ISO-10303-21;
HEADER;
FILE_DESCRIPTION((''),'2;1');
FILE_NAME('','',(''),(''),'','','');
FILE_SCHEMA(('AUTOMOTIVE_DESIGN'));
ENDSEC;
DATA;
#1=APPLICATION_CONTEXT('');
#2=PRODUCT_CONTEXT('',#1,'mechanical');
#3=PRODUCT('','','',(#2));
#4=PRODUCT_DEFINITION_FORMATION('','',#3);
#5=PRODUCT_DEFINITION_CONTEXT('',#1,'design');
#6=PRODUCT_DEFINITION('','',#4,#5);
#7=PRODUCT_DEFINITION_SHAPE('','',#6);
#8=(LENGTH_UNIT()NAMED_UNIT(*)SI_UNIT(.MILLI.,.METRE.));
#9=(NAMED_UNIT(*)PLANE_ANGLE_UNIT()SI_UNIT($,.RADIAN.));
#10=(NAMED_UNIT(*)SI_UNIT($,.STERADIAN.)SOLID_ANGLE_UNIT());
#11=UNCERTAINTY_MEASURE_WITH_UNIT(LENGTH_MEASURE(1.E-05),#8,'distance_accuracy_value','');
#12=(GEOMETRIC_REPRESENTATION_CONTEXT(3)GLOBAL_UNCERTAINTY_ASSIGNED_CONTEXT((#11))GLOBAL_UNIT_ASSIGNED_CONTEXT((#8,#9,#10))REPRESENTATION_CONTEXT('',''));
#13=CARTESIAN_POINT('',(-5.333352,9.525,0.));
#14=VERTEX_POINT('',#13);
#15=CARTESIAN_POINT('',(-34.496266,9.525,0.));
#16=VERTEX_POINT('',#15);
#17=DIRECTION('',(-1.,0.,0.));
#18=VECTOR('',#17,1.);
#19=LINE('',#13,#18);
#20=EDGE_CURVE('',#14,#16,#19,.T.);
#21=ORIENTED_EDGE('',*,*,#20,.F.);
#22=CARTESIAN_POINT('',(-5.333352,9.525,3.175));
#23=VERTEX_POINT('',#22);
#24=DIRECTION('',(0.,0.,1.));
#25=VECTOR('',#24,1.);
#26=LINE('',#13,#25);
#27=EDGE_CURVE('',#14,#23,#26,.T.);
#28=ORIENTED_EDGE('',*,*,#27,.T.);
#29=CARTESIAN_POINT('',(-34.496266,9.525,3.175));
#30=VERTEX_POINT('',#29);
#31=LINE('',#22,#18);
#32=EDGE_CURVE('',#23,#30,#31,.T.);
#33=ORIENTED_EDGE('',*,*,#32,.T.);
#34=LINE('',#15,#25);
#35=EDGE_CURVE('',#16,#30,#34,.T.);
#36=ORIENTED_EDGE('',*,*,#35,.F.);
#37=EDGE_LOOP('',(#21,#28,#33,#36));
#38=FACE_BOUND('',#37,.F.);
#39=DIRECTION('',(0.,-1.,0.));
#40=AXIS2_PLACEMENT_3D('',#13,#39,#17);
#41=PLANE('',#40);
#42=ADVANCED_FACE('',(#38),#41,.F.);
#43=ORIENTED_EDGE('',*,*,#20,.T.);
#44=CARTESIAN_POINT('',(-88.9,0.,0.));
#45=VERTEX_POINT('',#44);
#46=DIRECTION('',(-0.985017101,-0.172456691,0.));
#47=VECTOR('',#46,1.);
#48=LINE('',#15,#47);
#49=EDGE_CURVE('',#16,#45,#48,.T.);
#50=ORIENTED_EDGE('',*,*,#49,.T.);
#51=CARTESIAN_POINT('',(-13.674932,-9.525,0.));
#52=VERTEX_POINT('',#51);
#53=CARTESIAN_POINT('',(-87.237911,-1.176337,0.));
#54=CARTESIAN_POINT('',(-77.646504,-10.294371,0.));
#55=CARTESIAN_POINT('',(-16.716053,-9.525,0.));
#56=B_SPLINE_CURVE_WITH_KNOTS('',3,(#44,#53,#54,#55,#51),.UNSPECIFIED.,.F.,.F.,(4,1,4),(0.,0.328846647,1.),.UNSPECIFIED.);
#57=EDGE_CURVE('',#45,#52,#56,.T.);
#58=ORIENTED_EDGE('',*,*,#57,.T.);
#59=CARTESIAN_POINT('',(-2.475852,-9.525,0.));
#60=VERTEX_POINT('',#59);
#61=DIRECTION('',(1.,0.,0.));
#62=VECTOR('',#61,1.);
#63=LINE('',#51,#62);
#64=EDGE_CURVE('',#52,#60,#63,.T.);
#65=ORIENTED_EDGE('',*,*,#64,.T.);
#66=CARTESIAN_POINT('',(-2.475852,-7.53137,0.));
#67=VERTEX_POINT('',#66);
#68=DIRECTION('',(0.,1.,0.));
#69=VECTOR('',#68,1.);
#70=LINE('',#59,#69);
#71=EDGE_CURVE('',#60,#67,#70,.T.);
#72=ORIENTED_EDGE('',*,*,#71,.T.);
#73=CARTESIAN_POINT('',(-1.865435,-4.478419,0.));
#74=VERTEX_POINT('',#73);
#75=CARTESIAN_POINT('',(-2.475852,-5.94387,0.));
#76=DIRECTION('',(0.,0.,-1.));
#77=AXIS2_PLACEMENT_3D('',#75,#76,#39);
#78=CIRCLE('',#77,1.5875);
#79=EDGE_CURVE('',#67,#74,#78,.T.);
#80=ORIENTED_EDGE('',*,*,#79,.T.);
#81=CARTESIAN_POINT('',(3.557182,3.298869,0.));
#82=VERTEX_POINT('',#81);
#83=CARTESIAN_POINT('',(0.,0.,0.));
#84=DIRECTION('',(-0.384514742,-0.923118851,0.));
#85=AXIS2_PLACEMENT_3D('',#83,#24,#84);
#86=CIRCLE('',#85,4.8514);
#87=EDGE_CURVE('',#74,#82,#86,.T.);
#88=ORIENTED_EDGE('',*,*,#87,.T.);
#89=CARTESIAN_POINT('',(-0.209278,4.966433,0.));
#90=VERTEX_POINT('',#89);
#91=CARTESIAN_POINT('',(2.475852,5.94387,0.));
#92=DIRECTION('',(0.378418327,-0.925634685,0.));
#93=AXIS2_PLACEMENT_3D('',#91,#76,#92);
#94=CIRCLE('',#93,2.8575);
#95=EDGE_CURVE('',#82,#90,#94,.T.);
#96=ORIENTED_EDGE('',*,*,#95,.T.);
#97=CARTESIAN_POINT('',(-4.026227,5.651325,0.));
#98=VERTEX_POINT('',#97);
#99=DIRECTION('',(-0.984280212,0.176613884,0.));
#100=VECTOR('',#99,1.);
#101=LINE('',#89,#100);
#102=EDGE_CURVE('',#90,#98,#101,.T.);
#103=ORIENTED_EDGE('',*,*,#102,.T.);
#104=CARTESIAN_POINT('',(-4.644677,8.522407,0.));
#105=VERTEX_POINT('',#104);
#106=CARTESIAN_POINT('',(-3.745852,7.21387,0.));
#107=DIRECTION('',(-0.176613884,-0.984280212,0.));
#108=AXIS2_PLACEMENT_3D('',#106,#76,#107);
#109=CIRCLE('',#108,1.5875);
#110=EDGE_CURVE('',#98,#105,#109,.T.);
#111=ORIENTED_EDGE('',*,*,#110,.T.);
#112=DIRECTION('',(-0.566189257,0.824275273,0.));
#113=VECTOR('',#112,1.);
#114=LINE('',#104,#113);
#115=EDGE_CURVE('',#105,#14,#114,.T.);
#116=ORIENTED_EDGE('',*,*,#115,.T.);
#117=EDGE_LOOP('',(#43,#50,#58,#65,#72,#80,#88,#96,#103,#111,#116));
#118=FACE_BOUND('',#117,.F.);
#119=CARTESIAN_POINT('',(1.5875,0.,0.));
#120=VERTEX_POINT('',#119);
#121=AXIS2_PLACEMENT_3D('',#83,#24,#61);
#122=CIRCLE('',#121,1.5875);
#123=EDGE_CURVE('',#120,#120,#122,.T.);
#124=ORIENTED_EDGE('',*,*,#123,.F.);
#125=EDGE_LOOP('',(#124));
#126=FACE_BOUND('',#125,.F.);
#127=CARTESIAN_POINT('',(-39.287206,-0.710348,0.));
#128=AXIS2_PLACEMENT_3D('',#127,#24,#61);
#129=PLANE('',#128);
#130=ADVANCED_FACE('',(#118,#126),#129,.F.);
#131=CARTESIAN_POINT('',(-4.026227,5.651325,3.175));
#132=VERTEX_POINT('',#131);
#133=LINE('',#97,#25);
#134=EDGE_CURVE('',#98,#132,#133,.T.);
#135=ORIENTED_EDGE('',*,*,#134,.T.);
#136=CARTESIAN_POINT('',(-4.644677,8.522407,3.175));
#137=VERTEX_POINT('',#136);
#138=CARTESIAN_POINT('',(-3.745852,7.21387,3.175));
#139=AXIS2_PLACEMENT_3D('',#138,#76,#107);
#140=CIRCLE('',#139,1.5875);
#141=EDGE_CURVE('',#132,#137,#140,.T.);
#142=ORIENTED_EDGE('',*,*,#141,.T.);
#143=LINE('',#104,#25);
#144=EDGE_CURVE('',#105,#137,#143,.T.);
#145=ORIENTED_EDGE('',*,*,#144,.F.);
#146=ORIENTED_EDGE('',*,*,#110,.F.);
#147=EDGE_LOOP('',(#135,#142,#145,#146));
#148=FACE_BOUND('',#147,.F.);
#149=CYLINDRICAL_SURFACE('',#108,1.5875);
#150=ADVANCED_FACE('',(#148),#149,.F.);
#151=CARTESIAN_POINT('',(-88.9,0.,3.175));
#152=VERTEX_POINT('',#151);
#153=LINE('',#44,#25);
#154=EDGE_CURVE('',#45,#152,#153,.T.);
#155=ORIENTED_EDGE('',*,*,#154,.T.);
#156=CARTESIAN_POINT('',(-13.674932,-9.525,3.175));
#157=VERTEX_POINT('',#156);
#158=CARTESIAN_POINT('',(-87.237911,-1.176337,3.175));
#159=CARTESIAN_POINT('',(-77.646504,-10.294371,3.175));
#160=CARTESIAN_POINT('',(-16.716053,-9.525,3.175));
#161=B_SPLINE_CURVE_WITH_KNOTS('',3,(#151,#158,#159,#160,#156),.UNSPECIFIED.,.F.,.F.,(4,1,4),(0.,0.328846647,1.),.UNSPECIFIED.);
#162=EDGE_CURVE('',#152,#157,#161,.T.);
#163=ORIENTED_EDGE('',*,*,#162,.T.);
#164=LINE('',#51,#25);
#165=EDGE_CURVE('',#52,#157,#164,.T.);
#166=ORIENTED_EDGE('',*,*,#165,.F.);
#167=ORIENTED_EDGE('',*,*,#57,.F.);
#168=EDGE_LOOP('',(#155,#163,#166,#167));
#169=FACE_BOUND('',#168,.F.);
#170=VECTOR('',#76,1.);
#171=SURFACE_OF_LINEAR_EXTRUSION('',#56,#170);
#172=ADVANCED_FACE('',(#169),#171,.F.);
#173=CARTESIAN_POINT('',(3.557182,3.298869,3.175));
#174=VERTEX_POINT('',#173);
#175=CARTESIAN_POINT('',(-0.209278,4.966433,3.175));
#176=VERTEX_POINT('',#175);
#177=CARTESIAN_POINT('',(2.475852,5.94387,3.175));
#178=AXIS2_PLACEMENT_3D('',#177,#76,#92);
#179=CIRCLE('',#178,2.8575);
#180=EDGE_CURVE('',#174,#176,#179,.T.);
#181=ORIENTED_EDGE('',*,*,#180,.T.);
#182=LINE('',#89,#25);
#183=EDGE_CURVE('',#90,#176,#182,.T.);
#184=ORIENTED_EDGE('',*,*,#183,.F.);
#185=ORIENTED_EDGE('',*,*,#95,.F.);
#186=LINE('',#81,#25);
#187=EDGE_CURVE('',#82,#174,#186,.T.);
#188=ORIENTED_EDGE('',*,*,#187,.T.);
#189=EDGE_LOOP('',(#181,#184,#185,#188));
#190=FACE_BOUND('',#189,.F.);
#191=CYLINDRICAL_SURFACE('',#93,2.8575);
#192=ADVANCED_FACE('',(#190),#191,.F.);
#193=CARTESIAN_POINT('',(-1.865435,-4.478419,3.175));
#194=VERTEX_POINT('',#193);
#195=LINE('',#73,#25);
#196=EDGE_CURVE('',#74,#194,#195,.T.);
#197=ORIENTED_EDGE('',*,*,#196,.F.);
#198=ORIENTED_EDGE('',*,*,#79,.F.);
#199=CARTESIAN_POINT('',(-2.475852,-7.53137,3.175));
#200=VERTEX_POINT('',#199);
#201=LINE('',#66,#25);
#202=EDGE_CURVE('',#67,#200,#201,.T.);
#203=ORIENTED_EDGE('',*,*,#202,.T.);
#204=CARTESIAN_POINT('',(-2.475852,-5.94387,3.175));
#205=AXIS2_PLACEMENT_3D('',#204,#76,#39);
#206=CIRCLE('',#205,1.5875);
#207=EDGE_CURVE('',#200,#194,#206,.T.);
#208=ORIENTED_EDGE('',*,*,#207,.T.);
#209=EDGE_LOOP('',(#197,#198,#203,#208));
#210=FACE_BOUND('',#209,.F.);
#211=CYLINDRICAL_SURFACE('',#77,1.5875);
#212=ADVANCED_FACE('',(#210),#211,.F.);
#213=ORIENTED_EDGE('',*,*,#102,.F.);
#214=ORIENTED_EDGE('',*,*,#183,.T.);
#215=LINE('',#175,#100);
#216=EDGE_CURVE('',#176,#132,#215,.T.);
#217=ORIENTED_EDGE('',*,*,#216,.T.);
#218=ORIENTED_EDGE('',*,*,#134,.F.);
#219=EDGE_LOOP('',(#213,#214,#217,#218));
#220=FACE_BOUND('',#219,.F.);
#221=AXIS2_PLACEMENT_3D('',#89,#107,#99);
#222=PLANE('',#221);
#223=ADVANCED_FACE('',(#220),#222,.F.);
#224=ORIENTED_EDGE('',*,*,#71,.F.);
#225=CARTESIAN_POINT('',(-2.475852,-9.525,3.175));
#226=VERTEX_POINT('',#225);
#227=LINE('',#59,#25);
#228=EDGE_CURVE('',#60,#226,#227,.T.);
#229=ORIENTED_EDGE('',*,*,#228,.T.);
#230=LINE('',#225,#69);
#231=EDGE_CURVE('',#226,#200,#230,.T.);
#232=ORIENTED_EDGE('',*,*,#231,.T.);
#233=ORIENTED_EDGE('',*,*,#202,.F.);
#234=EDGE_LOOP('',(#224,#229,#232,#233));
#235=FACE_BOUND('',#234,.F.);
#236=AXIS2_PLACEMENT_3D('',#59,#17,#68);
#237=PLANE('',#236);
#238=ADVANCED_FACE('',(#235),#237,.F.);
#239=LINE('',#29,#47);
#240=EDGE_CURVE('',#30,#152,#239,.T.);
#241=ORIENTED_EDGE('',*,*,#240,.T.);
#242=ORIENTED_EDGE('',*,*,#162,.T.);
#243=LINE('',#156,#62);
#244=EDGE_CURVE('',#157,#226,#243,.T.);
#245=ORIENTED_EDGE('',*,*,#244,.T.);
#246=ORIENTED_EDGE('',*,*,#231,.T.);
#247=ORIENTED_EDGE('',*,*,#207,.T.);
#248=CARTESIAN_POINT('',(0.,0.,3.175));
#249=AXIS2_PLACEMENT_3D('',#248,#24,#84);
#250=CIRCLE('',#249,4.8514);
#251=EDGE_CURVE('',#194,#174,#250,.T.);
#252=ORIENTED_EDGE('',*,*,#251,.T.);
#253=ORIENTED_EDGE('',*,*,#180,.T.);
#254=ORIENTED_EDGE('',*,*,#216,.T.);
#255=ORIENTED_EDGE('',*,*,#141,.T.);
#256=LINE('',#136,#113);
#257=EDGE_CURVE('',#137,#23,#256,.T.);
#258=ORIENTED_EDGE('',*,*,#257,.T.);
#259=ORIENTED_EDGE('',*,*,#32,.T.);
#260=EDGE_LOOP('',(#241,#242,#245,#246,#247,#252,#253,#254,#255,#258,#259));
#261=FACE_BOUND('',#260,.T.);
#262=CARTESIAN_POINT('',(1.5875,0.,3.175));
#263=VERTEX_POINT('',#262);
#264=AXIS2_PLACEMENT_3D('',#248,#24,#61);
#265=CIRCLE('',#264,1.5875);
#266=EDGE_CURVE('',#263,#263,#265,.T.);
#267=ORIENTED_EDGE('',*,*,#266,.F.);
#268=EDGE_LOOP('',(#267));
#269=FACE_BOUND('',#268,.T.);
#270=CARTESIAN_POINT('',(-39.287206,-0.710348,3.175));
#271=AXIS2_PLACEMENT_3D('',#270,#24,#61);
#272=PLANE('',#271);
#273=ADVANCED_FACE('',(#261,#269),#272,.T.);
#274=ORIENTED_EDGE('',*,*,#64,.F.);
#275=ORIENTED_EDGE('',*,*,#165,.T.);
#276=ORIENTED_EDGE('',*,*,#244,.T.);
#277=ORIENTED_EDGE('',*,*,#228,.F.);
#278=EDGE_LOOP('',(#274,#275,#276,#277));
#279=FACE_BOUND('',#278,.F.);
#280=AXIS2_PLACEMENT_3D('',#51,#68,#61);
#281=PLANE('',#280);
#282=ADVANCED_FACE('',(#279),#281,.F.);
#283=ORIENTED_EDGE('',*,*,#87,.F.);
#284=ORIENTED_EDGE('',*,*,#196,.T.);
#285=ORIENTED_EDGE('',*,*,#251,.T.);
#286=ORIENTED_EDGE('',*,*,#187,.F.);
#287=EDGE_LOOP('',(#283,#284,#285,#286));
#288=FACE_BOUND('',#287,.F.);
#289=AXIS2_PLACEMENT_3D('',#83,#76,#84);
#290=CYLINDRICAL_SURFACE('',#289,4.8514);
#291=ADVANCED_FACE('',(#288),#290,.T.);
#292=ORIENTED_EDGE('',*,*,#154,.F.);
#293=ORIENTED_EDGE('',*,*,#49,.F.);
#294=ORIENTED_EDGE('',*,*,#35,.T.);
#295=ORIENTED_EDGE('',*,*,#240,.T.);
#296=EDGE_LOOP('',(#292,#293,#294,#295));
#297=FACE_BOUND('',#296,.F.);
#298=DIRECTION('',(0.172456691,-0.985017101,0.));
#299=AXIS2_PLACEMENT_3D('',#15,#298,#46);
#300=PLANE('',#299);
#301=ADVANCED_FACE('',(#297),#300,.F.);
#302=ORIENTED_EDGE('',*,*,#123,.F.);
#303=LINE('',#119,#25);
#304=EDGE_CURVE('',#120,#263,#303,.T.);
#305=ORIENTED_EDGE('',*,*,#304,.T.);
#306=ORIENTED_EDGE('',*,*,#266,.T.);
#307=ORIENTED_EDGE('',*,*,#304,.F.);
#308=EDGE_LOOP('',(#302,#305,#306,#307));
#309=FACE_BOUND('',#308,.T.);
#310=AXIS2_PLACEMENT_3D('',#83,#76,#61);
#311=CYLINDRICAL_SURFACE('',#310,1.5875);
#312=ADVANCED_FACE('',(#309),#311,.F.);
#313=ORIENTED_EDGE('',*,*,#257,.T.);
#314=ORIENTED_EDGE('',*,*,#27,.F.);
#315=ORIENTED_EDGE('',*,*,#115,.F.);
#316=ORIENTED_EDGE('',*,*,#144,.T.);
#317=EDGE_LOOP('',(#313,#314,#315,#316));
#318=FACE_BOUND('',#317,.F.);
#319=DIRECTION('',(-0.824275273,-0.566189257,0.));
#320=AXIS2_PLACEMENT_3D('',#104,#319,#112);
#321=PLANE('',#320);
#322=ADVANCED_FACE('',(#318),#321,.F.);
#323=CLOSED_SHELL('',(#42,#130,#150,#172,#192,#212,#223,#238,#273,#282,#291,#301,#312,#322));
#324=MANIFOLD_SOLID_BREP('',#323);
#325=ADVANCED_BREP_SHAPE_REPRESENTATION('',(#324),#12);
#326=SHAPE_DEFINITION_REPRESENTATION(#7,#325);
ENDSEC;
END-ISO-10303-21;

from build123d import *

# Parameters (mm, degrees)
F1_R     = 1.5875
F2_DEPTH = 3.175


with BuildPart() as f2:
    # F1 (on Top) → F2 (new body)
    with BuildSketch(Plane.XY):
        with BuildLine():
            ThreePointArc((-4.0262265136, 5.6513251328), (-5.2977559244, 6.8795791134), (-4.6446774192, 8.5224069649))
            Line((-4.6446774192, 8.5224069649), (-5.3333519733, 9.525))
            Line((-5.3333519733, 9.525), (-34.4962663949, 9.525))
            Line((-34.4962663949, 9.525), (-88.9, 0))
            add(Edge.make_bspline(
                [(-88.9, 0), (-87.2379108001, -1.1763368423), (-77.6465036689, -10.294371312), (-16.7160528872, -9.525), (-13.6749316007, -9.525)],
                knots=[0, 0, 0, 0, 0.3288466474, 1, 1, 1, 1], degree=3))
            Line((-13.6749316007, -9.525), (-2.4758519733, -9.525))
            Line((-2.4758519733, -9.525), (-2.4758519733, -7.5313699697))
            ThreePointArc((-2.4758519733, -7.5313699697), (-4.0325407656, -5.6326204651), (-1.8654348201, -4.4784187937))
            ThreePointArc((-1.8654348201, -4.4784187937), (3.9795795285, -2.7747123701), (3.5571823428, 3.2988688577))
            ThreePointArc((3.5571823428, 3.2988688577), (1.31903069, 3.3310035803), (-0.2092779199, 4.9664326537))
            Line((-0.2092779199, 4.9664326537), (-4.0262265136, 5.6513251328))
        make_face()
        Circle(F1_R, mode=Mode.SUBTRACT)
    extrude(amount=F2_DEPTH)


solid = f2.part
